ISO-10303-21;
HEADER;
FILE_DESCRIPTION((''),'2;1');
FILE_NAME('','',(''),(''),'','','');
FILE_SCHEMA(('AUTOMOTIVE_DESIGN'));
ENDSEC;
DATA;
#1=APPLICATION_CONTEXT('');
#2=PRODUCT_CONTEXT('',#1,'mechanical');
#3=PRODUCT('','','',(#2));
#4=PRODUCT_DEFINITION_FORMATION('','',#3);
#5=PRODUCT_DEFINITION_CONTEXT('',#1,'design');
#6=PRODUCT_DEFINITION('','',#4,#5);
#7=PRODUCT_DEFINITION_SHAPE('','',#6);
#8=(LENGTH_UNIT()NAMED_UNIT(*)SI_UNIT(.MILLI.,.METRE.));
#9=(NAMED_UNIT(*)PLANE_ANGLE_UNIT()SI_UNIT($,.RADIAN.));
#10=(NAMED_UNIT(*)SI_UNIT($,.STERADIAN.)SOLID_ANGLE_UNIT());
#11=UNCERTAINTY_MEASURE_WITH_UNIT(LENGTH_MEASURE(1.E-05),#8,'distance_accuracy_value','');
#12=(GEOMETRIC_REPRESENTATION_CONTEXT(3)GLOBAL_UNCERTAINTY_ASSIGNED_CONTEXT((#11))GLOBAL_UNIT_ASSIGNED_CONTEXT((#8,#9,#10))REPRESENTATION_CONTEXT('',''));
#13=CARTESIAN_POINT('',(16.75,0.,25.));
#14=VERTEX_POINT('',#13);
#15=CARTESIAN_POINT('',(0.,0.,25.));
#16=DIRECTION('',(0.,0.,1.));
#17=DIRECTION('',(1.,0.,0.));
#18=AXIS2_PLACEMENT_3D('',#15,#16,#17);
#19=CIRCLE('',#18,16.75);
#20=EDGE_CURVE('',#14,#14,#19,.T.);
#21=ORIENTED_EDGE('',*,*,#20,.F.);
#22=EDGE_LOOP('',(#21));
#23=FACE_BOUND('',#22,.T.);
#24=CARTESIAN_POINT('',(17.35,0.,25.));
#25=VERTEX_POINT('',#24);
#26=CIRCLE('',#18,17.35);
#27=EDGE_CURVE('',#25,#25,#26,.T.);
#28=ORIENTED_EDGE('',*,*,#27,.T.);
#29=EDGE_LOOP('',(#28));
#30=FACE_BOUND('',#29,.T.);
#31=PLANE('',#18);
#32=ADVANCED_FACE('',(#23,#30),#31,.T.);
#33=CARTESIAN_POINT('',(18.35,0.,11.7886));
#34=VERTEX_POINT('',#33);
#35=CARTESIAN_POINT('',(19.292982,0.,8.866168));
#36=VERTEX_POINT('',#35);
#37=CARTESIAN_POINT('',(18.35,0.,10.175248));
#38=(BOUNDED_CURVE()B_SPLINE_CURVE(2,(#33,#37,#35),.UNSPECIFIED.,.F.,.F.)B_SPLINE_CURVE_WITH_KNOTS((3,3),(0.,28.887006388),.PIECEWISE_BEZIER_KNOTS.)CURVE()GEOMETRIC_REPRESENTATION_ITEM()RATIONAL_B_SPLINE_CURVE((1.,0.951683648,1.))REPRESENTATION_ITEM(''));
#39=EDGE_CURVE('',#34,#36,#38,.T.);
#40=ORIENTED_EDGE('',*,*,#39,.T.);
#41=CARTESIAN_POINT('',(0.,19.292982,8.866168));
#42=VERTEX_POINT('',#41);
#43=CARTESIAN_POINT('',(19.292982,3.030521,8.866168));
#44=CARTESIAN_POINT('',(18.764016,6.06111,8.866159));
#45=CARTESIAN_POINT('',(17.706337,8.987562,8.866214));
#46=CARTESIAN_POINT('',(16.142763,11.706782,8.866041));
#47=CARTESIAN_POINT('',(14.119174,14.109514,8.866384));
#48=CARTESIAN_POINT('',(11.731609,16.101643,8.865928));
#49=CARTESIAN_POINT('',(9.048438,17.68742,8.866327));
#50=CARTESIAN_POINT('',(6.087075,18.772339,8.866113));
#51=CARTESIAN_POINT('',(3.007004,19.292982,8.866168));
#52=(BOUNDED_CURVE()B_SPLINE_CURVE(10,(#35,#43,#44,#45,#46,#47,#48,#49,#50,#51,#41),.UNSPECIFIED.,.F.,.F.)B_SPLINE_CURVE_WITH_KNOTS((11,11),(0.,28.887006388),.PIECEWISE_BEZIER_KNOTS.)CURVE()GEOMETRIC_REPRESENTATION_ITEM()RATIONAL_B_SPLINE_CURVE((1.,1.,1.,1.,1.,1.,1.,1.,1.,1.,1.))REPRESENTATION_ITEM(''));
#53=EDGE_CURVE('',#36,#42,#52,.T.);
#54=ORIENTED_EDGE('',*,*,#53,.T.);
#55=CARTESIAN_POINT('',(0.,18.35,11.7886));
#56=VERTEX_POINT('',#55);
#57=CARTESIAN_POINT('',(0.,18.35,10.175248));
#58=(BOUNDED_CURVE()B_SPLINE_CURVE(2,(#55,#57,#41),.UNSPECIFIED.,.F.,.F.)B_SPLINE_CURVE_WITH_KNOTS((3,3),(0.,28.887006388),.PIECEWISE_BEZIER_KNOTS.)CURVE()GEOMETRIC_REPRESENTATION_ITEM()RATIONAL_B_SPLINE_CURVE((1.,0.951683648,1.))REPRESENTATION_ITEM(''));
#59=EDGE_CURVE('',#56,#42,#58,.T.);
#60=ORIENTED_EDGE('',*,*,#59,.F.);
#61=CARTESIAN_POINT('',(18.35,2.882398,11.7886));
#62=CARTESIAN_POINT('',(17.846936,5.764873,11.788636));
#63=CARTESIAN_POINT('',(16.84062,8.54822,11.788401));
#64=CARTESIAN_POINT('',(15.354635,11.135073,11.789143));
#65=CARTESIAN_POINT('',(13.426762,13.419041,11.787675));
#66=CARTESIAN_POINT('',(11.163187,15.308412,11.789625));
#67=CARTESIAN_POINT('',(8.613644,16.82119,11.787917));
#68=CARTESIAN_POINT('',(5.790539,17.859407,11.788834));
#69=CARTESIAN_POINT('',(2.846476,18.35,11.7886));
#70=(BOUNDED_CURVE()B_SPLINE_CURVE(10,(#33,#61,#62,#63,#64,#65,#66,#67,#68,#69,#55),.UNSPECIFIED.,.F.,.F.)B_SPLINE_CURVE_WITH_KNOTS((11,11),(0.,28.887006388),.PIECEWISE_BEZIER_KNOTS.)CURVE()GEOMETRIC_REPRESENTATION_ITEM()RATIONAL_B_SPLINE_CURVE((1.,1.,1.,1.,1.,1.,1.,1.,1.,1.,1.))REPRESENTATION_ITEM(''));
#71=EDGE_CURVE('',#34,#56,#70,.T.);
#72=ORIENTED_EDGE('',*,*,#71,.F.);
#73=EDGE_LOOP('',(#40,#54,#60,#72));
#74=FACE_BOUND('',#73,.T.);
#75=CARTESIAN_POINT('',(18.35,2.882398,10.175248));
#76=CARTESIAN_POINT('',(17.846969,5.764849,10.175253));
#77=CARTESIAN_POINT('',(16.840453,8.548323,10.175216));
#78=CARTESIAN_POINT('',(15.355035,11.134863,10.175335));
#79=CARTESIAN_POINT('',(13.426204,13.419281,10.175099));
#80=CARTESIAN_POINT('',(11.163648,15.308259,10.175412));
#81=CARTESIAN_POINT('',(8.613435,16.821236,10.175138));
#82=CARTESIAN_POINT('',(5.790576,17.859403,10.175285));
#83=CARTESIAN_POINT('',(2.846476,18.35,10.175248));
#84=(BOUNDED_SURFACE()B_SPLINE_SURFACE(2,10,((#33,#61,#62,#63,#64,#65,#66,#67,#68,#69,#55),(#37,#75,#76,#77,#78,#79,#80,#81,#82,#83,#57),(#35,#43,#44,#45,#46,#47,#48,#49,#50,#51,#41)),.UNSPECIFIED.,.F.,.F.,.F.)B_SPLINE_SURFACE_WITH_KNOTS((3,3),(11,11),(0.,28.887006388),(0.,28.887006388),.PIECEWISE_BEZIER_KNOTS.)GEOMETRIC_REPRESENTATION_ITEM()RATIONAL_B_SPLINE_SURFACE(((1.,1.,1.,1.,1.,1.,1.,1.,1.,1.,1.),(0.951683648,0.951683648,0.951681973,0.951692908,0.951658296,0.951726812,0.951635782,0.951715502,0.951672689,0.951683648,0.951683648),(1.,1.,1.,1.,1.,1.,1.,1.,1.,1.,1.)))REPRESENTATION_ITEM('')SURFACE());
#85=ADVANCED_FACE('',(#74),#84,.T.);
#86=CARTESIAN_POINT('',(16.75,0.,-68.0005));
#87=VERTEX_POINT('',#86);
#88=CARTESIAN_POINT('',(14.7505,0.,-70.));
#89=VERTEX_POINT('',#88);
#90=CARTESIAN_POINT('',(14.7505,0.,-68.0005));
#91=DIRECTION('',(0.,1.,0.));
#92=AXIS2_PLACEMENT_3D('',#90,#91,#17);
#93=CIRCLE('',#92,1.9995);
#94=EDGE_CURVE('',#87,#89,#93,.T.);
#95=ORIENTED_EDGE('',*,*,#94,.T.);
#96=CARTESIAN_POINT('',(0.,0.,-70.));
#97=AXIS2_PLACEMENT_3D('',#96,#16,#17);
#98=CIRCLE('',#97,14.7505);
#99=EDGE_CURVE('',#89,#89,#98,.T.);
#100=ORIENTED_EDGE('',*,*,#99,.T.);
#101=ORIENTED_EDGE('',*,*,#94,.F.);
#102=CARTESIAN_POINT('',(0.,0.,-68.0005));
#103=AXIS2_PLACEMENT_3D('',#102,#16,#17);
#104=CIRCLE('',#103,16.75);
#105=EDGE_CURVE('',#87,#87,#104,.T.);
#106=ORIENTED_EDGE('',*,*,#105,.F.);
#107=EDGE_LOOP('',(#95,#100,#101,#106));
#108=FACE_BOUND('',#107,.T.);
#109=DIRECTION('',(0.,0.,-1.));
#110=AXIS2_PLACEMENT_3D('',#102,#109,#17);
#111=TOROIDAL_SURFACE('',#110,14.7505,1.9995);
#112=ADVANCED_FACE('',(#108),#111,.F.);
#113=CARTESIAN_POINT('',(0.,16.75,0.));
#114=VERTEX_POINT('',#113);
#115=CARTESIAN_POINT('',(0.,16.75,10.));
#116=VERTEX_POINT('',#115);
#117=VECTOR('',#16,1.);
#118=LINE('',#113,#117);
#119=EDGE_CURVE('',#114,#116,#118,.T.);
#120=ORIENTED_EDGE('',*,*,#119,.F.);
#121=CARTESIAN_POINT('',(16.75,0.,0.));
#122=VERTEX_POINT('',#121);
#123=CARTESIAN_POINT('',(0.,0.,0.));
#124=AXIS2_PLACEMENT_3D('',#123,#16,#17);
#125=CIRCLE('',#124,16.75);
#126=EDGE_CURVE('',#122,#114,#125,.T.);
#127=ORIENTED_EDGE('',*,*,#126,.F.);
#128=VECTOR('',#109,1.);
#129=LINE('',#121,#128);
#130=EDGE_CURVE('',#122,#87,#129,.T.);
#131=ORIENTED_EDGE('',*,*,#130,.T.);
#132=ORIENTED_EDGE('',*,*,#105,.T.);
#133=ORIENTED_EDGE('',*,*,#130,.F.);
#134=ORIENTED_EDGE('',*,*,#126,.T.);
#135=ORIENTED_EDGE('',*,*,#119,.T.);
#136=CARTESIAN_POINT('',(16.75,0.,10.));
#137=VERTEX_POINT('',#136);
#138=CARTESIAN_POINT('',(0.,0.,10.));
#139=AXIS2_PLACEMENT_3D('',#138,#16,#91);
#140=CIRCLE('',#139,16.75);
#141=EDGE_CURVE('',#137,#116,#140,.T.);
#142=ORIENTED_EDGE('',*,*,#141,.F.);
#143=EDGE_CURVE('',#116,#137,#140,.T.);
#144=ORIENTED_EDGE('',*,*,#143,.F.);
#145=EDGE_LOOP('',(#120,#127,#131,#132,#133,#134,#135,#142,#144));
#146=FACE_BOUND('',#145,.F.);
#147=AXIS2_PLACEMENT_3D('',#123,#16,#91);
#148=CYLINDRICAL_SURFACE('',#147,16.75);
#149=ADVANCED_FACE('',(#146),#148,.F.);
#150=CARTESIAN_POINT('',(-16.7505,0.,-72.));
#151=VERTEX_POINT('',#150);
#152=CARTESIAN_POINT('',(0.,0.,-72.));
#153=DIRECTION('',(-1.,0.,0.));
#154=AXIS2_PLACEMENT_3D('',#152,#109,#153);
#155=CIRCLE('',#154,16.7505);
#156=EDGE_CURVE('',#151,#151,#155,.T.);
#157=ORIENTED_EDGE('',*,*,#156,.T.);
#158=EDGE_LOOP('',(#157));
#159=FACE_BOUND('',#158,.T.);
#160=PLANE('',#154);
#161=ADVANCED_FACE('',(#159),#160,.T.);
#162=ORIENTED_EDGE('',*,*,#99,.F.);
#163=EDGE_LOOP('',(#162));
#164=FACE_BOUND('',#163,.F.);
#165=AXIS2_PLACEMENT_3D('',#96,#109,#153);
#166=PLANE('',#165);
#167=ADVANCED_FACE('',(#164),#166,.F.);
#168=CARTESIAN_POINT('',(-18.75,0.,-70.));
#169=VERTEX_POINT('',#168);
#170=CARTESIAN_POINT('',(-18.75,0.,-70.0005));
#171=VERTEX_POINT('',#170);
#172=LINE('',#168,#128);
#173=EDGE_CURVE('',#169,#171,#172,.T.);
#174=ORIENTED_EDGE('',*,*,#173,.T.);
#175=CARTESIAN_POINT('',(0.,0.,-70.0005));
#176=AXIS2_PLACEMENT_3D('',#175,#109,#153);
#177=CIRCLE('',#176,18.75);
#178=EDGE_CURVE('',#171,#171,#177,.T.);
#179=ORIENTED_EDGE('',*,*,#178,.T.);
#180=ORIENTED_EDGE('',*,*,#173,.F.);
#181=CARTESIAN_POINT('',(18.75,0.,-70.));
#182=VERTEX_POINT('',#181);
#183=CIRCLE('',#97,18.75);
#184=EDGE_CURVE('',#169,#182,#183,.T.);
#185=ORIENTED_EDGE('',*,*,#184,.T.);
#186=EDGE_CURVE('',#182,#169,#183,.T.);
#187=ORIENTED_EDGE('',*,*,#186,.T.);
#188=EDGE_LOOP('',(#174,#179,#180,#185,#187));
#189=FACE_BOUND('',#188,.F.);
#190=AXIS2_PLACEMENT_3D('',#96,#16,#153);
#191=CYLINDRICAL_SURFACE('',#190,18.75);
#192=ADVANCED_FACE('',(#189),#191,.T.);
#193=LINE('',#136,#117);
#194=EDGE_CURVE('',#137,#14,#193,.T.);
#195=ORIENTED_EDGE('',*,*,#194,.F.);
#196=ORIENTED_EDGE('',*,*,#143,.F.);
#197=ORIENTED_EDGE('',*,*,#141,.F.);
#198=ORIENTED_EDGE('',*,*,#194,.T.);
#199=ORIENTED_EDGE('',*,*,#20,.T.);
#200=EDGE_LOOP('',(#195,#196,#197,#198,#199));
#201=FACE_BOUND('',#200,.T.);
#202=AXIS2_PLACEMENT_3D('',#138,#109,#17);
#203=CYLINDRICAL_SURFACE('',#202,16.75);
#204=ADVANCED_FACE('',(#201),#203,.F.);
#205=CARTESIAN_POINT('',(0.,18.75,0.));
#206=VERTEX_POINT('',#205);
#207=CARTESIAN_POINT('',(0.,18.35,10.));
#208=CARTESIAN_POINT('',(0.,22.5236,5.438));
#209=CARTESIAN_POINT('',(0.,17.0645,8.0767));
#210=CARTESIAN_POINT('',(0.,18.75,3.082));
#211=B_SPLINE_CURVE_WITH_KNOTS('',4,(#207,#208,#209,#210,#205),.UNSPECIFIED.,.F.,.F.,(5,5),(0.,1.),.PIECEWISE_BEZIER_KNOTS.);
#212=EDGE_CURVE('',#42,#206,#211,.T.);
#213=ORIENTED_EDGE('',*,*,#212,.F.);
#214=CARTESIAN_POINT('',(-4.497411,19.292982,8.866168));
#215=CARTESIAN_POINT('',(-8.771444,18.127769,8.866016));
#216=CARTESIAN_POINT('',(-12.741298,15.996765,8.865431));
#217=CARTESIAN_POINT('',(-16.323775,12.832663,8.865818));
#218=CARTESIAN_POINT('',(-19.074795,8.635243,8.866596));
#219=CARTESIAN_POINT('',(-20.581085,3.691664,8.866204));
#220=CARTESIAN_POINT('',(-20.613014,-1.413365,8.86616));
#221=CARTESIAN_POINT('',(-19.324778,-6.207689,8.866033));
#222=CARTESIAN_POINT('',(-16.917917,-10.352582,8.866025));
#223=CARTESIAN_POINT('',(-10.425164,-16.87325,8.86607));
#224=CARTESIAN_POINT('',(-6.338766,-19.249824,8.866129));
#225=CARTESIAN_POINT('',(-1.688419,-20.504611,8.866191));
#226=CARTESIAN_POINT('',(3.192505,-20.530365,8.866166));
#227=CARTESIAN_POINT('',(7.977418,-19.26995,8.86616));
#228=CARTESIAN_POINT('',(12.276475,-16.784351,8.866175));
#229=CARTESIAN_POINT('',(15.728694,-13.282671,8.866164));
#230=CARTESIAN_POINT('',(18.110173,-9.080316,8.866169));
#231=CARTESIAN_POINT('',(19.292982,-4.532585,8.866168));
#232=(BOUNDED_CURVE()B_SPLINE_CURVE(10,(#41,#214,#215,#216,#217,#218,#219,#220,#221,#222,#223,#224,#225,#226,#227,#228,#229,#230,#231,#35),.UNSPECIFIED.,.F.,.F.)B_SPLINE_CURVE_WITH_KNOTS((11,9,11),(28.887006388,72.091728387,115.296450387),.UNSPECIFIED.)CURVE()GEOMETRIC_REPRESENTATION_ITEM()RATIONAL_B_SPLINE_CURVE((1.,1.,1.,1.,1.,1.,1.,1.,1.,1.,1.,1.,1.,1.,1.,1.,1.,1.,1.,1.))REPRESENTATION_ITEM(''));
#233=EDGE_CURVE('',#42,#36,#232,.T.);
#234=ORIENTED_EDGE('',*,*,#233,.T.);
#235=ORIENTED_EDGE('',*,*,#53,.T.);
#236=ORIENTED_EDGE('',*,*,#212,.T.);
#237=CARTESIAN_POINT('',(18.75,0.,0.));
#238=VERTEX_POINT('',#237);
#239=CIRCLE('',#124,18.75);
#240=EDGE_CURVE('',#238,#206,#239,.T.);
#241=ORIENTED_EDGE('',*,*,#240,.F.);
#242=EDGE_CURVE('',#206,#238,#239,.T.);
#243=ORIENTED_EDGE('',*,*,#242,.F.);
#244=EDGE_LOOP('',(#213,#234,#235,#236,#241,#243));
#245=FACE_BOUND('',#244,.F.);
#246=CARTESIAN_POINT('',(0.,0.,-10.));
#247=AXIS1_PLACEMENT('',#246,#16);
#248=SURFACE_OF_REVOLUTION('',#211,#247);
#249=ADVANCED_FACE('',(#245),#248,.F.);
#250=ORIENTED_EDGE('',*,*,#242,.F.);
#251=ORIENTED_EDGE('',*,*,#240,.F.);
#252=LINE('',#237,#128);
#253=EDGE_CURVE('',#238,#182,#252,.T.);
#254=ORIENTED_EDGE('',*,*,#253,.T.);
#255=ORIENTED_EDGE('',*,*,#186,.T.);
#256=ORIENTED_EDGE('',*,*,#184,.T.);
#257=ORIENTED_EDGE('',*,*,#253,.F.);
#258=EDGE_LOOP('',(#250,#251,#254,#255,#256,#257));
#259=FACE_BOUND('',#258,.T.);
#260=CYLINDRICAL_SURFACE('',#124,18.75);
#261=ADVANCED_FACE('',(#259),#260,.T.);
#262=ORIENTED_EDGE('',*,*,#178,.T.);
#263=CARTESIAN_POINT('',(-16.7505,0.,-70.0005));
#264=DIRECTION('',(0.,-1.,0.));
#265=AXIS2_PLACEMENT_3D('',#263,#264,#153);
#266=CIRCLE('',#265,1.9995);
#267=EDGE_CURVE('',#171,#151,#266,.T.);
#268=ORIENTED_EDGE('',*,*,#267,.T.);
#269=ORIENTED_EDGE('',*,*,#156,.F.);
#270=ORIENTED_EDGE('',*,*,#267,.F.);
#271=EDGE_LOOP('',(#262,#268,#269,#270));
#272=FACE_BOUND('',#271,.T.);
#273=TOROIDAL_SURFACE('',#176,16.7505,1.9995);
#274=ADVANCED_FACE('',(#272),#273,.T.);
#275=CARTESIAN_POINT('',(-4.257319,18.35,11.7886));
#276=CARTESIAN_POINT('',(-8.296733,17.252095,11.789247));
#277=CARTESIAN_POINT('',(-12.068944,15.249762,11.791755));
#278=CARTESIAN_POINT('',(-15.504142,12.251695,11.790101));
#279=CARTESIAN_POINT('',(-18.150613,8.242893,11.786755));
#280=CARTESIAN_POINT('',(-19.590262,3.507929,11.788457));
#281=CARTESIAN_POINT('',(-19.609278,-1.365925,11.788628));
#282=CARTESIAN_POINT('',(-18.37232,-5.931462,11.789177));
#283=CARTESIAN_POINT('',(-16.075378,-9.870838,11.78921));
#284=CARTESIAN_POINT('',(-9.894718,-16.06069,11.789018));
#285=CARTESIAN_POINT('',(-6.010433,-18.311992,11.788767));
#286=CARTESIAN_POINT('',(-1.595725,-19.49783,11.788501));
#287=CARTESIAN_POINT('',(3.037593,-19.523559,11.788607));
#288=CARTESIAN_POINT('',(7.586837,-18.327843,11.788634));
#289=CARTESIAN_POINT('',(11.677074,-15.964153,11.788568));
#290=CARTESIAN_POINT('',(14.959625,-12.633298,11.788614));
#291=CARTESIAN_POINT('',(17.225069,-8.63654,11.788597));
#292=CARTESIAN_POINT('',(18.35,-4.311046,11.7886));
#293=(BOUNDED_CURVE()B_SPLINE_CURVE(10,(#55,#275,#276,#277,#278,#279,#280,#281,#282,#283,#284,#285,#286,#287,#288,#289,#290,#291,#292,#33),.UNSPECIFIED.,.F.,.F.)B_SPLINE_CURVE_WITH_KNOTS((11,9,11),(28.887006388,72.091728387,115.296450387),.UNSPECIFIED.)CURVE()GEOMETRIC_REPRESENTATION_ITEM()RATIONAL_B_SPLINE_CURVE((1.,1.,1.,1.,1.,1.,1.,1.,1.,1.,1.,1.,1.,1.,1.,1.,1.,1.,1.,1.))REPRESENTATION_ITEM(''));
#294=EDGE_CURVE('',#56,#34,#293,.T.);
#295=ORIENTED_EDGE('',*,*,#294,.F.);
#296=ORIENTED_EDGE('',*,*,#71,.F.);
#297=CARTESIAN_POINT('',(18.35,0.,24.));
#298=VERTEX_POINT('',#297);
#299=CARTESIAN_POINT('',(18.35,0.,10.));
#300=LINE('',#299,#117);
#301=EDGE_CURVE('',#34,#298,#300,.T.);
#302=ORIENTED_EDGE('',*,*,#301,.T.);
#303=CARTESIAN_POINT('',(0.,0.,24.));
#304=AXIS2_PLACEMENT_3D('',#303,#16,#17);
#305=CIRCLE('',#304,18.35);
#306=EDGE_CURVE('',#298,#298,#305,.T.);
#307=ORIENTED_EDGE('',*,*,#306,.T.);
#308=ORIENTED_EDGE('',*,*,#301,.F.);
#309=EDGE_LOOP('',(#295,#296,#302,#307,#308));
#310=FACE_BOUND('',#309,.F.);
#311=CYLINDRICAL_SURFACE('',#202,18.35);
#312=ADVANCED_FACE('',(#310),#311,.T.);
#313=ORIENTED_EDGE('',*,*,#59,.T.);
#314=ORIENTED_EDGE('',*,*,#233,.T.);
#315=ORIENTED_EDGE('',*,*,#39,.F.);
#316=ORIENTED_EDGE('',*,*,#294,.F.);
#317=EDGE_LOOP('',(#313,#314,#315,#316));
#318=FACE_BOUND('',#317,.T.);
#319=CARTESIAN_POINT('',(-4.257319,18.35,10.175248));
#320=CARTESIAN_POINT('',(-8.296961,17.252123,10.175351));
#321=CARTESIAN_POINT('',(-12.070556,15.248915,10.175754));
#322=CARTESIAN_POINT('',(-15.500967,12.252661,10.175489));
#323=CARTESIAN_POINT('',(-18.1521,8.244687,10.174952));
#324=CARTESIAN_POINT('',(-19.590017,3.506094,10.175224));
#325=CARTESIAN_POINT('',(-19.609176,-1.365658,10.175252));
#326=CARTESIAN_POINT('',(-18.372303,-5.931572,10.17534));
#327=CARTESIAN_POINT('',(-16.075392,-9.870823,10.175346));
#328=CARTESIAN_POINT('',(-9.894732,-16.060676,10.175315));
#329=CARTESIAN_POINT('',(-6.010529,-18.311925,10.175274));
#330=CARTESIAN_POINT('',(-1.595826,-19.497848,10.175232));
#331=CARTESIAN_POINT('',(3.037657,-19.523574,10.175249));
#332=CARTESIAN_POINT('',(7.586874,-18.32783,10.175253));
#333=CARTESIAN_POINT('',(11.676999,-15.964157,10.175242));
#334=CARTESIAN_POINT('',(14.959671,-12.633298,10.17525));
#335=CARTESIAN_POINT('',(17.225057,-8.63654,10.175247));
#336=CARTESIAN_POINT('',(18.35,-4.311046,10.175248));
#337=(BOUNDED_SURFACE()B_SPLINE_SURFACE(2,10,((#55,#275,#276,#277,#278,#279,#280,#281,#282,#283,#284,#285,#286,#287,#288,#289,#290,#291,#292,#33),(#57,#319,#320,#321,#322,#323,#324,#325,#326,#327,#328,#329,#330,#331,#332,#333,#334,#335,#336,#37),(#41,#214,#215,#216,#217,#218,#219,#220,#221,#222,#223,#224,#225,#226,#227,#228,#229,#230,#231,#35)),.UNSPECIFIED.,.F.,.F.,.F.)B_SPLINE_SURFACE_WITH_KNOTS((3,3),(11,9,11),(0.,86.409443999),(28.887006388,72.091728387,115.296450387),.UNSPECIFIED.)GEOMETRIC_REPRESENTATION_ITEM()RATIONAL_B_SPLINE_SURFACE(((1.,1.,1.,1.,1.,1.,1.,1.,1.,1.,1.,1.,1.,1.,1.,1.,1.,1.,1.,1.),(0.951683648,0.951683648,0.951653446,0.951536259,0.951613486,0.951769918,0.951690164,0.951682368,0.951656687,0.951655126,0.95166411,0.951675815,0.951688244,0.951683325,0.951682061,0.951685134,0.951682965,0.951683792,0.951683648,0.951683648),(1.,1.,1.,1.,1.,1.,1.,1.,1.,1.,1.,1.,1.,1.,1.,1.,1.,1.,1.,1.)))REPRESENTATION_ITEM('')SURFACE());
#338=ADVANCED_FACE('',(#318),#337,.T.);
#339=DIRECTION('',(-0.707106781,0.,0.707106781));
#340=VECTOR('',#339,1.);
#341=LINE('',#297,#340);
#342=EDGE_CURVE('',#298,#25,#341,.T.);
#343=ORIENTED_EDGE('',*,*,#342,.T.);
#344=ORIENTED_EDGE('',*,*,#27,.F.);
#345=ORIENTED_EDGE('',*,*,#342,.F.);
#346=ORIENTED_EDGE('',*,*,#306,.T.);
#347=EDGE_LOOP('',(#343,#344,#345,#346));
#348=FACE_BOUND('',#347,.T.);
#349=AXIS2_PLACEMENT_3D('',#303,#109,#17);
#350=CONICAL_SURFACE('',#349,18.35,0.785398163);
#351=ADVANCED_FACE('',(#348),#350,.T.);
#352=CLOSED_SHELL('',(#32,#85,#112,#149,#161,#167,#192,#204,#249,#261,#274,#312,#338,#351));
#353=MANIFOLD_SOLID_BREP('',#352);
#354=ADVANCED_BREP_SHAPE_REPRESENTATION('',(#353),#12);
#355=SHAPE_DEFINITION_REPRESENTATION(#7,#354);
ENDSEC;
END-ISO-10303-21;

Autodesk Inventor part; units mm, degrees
ref_plane "YZ Plane" through (0, 0, 0) normal (1, 0, 0) x (0, 1, 0)
ref_plane "XZ Plane" through (0, 0, 0) normal (0, 1, 0) x (-1, 0, 0)
ref_plane "XY Plane" through (0, 0, 0) normal (0, 0, 1) x (1, 0, 0)
sketch "Skizze1" plane through (0, 0, 0) normal (0, 0, 1) x (1, 0, 0)
  circle A0 centre (0, 0) radius 18.75
  circle A1 centre (0, 0) radius 16.75
  dimension "d0" = 37.5
  dimension "d1" = 2
extrude "Extrusion1" add sketch "Skizze1" against normal blind 70
sketch "Skizze2" plane through (0, 0, -70) normal (0, 0, -1) x (-1, 0, 0)
  circle A0 centre (0, 0) radius 18.75 projected
extrude "Extrusion2" add sketch "Skizze2" along normal blind 2
fillet "Rundung1" radius 2 2 edges at (-16.75, 0, -70) (18.75, 0, -72)
sketch "Skizze3" plane through (0, 0, 0) normal (1, 0, 0) x (0, 1, 0)
  line L0 (18.75, 0) -> (18.75, -70) projected
  line L1 (-18.75, 0) -> (18.75, 0) projected
  line L2 (-16.75, 0) -> (16.75, 0) projected
  line L3 (18.75, 0) -> (16.75, 0)
  line L4 (16.75, 0) -> (16.75, 10)
  line L5 (16.75, 10) -> (18.35, 10)
  spline S0 degree 4 poles (18.35, 10) (22.5236, 5.438) (17.0645, 8.0767) (18.75, 3.082) (18.75, 0) knots 0 0 0 0 0 1 1 1 1 1
  line L6 (0, -86.0201) -> (0, 26.1206) projected
  point P0 (0, 0)
  point P1 (19.65, 6.8)
  point P2 (18.75, 5)
  dimension "d7" = 10
  dimension "d8" = 1.6
  dimension "d9" = 2
  dimension "d10" = 2.9
  dimension "d11" = 3.2
  dimension "d12" = 5
revolve "Umdrehung1" add sketch "Skizze3" angle 360 about axis through (0, 0, -10) along (0, 0, 1)
sketch "Skizze4" plane through (0, 0, 10) normal (0, 0, 1) x (1, 0, 0)
  circle A0 centre (0, 0) radius 18.35 projected
  circle A1 centre (0, 0) radius 16.75 projected
  point P0 (0, 18.35)
extrude "Extrusion3" add sketch "Skizze4" along normal blind 15
fillet "Rundung2" radius 5 2 edges at (12.9754, 12.9754, 10) (-12.9754, -12.9754, 10)
chamfer "Fase1" distance 1 angle 45 1 edges at (-18.35, 0, 25)
equation "\"G_L\" = 0"
equation "\"G_H\" = 0"
equation "\"G_B\" = 0"
properties part number "Löffelbox_unten" material "GEDA Stahl"
